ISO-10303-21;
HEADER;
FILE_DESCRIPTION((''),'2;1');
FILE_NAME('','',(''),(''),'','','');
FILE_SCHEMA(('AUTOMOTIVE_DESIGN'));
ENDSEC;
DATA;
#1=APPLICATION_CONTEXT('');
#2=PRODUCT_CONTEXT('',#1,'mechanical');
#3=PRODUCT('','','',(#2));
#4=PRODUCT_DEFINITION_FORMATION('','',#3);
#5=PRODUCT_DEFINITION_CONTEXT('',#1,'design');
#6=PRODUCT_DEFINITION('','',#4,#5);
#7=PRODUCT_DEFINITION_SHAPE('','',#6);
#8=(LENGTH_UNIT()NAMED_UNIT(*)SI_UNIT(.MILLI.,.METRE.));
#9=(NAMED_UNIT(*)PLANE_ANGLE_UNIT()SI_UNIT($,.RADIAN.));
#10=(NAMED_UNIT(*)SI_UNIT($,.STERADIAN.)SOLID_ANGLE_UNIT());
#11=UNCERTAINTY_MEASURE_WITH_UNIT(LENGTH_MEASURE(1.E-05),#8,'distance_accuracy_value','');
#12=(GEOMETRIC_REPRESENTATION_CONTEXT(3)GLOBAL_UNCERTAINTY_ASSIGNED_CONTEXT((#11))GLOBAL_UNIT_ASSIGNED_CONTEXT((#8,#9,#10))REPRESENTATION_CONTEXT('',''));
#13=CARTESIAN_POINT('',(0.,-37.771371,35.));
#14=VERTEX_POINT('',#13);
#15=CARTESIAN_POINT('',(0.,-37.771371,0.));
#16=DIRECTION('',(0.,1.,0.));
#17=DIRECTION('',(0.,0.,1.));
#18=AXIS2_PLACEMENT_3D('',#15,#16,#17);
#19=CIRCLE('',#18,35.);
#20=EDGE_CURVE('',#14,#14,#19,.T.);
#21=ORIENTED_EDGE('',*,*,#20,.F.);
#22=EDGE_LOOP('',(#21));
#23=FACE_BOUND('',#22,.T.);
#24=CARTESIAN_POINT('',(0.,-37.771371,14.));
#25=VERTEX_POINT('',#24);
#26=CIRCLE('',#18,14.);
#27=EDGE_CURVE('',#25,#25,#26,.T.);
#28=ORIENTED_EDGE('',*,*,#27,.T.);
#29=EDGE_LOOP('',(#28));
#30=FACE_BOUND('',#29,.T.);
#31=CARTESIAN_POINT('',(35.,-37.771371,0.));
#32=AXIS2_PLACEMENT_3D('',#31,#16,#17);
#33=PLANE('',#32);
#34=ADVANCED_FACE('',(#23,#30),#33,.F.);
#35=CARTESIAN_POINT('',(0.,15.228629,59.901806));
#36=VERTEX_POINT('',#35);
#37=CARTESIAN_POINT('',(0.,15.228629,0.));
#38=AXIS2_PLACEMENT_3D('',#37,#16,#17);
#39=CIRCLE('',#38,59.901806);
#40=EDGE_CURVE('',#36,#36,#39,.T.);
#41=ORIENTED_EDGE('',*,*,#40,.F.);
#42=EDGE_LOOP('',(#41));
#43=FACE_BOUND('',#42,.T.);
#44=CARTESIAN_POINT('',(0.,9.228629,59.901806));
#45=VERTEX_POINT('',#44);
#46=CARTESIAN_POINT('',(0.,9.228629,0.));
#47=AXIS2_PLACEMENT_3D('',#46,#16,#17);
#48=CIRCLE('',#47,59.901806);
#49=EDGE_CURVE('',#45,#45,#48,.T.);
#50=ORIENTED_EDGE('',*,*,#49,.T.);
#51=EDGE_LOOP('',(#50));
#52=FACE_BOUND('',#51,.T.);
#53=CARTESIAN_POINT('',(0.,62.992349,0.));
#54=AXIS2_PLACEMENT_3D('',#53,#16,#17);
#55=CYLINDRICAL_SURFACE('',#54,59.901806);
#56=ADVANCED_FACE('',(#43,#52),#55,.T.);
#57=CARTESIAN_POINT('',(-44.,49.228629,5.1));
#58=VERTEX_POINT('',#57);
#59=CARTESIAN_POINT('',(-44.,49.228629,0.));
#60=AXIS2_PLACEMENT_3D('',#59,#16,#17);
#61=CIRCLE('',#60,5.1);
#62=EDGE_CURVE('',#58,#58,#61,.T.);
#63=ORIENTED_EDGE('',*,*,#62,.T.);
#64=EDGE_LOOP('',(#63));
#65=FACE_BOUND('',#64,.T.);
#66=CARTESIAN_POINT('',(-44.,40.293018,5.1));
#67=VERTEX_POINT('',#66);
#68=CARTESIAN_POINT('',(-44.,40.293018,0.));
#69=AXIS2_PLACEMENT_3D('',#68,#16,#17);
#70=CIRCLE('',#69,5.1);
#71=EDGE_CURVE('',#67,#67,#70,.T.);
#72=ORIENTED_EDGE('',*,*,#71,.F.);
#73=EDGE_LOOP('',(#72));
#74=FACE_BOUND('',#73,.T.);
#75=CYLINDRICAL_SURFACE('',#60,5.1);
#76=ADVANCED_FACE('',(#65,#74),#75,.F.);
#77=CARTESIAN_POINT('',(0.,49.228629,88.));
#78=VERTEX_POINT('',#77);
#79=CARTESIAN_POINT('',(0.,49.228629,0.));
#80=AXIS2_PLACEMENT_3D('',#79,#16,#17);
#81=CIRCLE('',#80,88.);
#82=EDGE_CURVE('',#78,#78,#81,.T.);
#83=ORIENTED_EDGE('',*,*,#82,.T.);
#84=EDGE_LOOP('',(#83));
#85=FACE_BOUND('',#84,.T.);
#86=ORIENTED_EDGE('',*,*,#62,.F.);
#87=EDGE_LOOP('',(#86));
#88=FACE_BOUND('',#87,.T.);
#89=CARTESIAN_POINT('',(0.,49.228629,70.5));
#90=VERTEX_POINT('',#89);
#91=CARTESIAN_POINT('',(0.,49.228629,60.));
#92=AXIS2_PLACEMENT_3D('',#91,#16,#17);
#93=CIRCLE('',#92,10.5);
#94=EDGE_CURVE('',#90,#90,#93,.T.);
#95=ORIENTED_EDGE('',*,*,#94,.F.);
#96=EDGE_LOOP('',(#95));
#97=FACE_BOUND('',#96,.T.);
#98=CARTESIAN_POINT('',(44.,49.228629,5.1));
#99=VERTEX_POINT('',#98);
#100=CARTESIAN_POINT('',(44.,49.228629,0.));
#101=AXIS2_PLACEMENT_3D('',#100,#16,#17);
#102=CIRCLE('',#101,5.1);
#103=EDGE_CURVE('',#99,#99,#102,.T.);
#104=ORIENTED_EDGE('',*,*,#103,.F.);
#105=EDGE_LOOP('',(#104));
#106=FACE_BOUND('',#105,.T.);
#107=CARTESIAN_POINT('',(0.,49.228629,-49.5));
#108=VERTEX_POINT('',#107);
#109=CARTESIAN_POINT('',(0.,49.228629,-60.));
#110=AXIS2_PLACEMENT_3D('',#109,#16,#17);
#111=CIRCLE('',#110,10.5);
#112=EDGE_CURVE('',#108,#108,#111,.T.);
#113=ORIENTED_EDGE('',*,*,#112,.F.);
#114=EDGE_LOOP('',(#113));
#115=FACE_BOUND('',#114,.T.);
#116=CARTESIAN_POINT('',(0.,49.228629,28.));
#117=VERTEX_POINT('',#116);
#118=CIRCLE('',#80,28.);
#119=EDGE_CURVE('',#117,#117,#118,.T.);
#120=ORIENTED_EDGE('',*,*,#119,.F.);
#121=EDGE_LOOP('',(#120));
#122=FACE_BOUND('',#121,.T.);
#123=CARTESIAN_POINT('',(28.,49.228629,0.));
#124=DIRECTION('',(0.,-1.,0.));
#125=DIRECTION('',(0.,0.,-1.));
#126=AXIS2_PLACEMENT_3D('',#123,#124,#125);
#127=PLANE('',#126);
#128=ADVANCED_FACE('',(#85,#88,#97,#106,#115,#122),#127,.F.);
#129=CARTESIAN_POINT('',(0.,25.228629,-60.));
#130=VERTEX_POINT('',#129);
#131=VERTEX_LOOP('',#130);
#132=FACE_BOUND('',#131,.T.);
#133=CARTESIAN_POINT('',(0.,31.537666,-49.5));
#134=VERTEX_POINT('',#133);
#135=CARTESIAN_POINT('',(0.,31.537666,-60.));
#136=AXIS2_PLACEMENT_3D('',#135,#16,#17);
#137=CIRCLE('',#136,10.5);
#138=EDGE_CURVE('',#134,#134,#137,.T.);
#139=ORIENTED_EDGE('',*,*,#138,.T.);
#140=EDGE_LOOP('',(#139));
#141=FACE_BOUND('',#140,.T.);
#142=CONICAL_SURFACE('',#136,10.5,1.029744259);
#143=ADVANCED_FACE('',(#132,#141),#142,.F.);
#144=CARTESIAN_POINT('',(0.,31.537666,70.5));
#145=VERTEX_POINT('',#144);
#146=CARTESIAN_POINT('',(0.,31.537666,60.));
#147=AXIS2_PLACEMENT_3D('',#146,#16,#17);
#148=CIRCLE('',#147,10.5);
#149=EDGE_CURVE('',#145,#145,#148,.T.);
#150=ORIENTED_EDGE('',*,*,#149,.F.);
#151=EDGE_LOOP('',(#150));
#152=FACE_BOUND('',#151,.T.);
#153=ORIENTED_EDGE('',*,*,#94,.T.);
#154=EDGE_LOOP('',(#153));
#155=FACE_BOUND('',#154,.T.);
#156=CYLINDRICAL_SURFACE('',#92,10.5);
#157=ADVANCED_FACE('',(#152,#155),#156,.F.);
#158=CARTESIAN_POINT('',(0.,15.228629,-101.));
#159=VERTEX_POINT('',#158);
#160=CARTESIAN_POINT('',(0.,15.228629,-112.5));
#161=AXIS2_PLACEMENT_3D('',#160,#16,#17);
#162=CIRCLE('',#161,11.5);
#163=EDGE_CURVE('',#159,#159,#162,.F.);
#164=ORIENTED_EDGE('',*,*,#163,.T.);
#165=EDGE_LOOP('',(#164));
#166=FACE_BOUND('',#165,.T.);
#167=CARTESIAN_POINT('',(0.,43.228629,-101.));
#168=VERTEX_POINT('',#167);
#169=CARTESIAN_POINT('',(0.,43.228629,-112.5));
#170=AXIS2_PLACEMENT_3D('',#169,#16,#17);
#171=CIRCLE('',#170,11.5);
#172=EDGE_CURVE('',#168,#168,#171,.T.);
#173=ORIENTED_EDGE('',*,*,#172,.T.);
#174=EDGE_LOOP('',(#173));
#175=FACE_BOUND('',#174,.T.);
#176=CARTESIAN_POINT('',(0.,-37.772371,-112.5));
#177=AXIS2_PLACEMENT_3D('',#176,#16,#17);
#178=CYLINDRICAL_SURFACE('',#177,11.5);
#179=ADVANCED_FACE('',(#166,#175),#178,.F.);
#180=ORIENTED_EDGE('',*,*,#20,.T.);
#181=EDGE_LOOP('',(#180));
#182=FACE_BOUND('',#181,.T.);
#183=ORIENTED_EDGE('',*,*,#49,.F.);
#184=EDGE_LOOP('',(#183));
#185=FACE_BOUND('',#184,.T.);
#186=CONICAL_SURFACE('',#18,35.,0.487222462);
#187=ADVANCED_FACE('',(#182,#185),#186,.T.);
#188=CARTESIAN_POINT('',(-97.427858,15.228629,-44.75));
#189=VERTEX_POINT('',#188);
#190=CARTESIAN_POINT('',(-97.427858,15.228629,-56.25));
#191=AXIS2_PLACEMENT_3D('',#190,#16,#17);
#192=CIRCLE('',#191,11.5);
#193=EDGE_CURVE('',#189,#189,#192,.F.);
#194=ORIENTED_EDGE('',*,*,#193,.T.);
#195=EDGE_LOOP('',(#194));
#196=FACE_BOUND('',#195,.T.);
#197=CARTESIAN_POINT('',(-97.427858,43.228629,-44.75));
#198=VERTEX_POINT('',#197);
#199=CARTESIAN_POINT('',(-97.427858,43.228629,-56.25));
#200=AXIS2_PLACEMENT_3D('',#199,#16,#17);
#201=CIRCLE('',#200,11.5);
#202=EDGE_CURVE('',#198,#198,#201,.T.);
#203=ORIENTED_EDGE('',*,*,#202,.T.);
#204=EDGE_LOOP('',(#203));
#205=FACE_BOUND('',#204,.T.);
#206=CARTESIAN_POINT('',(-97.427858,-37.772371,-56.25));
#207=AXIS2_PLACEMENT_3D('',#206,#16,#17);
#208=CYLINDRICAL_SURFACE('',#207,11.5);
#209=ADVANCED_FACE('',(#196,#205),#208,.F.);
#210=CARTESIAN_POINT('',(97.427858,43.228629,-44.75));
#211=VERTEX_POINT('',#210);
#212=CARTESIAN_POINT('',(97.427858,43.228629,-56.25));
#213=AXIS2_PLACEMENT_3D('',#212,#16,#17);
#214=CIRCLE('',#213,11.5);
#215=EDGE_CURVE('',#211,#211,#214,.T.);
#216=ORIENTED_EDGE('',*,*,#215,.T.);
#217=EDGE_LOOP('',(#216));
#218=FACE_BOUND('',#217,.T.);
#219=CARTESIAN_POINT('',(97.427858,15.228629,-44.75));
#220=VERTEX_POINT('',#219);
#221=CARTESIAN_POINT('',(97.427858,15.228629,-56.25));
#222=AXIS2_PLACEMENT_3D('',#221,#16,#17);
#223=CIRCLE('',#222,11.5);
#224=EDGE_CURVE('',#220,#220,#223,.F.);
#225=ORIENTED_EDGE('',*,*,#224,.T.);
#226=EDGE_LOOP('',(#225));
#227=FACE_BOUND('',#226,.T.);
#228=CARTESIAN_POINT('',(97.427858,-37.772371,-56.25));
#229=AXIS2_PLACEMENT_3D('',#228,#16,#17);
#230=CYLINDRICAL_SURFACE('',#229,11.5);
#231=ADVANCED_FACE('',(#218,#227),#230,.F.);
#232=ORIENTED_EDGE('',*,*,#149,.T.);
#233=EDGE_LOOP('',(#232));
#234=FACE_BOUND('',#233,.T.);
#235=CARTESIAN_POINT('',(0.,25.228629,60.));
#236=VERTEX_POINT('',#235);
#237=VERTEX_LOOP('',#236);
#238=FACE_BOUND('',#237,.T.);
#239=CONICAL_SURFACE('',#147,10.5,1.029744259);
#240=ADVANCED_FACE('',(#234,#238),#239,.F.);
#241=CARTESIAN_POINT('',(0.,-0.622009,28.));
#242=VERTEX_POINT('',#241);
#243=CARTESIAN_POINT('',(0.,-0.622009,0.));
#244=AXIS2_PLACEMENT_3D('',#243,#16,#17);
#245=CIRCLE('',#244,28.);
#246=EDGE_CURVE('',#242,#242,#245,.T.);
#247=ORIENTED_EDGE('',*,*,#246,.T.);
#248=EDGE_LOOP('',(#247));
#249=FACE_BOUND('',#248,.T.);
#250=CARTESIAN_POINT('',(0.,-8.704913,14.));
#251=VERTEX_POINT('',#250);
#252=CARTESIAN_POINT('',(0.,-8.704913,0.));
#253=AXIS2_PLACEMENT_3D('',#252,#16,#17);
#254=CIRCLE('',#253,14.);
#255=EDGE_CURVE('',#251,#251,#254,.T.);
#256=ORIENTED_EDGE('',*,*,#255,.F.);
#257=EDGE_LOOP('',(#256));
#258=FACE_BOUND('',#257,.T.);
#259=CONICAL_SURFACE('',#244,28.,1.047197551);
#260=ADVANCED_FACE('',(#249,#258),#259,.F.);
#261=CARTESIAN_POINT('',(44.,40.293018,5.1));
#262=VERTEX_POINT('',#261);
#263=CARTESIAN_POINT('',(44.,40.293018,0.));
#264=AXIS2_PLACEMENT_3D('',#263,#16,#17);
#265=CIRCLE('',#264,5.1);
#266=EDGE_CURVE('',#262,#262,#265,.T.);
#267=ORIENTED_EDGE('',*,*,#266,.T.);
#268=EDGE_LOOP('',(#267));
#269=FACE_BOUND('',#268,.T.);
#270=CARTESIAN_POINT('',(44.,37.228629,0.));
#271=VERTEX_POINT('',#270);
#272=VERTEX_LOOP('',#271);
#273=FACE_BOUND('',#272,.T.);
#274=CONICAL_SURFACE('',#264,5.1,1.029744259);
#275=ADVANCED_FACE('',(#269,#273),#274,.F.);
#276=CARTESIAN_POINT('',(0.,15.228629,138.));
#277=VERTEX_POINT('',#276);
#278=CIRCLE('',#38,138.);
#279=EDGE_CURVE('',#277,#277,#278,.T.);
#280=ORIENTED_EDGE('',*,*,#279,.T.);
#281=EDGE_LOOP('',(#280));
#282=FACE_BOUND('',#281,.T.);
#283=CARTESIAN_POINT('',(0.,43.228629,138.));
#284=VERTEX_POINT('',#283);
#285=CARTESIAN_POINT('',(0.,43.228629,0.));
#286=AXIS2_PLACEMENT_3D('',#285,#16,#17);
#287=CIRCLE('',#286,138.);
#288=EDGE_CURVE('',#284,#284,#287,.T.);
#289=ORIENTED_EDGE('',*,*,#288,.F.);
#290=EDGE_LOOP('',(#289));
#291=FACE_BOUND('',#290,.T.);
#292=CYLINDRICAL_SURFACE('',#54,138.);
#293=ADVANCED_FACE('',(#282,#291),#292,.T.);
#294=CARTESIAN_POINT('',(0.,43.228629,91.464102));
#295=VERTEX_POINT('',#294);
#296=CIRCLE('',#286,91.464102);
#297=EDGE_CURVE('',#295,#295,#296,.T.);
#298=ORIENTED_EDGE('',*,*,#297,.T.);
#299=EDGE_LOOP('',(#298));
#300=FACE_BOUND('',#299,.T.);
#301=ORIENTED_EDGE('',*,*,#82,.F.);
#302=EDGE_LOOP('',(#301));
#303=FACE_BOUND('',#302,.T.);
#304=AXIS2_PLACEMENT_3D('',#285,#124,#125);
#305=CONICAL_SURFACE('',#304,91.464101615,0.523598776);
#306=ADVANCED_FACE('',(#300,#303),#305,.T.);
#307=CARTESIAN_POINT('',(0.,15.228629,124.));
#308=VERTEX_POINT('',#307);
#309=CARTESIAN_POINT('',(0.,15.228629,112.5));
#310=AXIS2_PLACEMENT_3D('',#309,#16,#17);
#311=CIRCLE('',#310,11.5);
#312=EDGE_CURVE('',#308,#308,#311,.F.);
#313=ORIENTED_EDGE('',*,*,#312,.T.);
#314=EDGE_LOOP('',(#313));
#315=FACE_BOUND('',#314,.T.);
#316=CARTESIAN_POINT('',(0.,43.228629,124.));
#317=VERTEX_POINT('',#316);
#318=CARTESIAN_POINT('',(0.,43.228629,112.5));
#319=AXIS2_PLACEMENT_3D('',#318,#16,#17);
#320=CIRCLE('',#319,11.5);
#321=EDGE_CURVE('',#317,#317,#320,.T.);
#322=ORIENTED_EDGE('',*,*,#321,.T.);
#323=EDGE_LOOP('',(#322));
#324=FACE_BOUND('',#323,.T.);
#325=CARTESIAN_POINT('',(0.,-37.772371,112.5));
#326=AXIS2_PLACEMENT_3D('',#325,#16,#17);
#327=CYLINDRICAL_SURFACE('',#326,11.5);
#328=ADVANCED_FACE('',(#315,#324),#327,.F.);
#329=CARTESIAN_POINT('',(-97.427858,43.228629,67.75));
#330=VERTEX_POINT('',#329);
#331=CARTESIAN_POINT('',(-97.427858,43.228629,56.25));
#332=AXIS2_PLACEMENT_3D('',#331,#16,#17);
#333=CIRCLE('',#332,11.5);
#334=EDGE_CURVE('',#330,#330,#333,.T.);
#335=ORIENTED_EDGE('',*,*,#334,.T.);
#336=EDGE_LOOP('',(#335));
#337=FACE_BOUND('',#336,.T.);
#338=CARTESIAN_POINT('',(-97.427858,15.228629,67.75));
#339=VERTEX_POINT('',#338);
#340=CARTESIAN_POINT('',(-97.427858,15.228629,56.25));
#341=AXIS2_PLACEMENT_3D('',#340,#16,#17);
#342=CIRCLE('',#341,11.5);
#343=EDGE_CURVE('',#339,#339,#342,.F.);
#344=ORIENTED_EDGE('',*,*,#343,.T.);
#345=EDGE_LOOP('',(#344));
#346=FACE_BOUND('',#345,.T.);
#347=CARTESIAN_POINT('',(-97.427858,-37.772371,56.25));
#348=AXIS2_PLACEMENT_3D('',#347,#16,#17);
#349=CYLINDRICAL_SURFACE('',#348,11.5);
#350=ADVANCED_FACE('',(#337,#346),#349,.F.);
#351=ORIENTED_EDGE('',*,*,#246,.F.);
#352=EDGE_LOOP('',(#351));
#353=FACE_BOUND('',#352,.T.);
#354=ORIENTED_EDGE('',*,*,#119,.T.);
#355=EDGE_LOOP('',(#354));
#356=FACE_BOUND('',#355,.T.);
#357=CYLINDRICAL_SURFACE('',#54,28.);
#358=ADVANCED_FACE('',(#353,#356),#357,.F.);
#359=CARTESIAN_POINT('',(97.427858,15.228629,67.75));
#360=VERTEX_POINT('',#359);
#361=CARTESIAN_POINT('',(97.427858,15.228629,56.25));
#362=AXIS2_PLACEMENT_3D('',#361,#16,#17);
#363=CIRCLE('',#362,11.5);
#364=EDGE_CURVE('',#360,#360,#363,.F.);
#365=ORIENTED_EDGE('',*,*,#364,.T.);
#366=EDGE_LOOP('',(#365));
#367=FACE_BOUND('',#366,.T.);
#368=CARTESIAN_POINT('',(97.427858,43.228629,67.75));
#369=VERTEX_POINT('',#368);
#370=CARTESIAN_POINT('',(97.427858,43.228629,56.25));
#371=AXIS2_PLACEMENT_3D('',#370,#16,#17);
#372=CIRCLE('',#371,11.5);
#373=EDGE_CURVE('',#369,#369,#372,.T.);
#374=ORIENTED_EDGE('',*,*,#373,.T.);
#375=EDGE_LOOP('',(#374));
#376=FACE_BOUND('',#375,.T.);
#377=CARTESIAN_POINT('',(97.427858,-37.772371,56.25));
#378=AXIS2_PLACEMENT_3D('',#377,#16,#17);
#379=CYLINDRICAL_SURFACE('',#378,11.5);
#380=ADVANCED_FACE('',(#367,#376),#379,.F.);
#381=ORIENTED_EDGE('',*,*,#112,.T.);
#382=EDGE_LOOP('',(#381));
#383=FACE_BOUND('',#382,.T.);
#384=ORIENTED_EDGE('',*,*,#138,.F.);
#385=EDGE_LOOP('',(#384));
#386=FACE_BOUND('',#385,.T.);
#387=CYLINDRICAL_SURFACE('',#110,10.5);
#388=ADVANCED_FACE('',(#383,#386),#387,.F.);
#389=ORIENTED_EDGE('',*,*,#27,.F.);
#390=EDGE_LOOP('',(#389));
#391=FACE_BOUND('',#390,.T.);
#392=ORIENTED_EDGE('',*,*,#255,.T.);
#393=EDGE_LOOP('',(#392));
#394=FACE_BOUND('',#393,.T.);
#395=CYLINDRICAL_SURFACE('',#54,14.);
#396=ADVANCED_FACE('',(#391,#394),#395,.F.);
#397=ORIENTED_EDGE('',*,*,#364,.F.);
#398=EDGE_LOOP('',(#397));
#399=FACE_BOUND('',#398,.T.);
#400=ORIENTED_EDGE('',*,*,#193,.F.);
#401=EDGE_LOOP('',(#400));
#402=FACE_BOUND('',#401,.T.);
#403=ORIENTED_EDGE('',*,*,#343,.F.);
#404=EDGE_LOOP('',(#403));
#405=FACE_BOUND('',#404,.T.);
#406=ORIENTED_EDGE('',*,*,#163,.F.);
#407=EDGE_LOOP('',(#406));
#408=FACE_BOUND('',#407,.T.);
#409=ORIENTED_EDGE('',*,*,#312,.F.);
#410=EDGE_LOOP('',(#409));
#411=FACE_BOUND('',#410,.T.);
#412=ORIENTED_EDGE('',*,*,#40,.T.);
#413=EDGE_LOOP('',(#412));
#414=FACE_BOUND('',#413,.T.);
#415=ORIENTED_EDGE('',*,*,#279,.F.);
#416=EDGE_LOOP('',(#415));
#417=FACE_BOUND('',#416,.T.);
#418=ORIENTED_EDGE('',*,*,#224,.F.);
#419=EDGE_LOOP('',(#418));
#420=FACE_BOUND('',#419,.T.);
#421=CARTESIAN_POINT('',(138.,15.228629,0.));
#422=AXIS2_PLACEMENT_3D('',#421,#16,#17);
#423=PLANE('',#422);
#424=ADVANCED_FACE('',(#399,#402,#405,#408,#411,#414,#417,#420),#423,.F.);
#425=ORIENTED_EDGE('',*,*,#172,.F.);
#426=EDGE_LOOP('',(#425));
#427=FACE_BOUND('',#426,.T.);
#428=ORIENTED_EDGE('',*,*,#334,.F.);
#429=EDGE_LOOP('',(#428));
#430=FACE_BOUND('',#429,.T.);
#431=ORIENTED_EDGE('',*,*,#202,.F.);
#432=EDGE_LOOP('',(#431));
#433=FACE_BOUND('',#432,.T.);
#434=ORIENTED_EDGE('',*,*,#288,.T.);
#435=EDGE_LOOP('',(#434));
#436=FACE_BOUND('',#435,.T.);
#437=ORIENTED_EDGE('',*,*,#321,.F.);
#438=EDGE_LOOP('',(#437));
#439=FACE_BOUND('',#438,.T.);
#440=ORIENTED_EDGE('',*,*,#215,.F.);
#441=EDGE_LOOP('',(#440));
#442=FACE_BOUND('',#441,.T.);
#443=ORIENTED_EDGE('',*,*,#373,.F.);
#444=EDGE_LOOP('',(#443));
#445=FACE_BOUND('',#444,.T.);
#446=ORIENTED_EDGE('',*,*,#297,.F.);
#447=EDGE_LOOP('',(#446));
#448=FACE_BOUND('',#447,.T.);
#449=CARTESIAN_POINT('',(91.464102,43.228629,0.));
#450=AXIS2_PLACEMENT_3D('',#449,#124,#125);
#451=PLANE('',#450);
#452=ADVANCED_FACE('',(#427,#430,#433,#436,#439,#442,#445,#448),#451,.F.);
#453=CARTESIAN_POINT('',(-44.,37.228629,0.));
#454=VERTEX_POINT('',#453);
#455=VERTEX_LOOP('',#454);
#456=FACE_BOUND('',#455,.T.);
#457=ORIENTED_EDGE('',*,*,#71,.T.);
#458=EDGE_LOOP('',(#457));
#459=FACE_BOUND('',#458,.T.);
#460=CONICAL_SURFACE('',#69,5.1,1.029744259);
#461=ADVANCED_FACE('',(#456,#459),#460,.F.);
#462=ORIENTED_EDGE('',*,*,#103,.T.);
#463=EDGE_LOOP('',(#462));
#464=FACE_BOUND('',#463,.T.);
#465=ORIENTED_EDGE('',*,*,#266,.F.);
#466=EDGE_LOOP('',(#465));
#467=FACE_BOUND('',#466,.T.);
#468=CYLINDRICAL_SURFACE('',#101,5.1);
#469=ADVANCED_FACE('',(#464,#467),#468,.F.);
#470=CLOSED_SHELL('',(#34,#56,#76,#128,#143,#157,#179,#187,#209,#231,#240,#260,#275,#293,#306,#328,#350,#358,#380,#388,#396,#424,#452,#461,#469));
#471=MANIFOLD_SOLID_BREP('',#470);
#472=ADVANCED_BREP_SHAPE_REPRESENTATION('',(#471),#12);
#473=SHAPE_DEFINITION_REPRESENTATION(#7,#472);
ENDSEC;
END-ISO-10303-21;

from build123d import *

# Parameters (mm, degrees)
CUT_EXTRUDE1_REACH     = 213.303
SKETCH2_R              = 11.5
M24_TAPPED_HOLE1_D     = 21
M24_TAPPED_HOLE1_DEPTH = 17.6909635
M24_TAPPED_HOLE1_TIP   = 6.3090365
M12_TAPPED_HOLE1_D     = 10.2
M12_TAPPED_HOLE1_DEPTH = 8.935610843
M12_TAPPED_HOLE1_TIP   = 3.064389157


with BuildPart() as part:
    # Sketch1 → Revolve1 (revolve)
    with BuildSketch(Plane.XY, mode=Mode.PRIVATE) as revolve1_sk:
        Polygon((14, -37.771370899), (14, -8.704913174), (28, -0.622009405), (28, 49.228629101), (88, 49.228629101), (91.464101615, 43.228629101), (138, 43.228629101), (138, 15.228629101), (59.901806028, 15.228629101), (59.901806028, 9.228629101), (35, -37.771370899), align=None)
    revolve(revolve1_sk.sketch.rotate(Axis((0, 62.992349216, 0), (0, -1, 0)), 90), axis=Axis((0, 62.992349216, 0), (0, -1, 0)))

    # Sketch2 → Cut-Extrude1 (cut, up to next)
    with BuildSketch(Plane(origin=(0, 43.228629101, 0), x_dir=(1, 0, 0), z_dir=(0, 1, 0)), mode=Mode.PRIVATE) as cut_extrude1_sk1:
        with Locations(Location((0, 112.5, 0), (0, 0, 270))):
            Circle(SKETCH2_R)
    cut_extrude1_tool1 = extrude(cut_extrude1_sk1.sketch, amount=-CUT_EXTRUDE1_REACH, mode=Mode.PRIVATE) & part.part
    # Sketch2 → Cut-Extrude1 (cut, up to next)
    with BuildSketch(Plane(origin=(0, 43.228629101, 0), x_dir=(1, 0, 0), z_dir=(0, 1, 0)), mode=Mode.PRIVATE) as cut_extrude1_sk2:
        with Locations(Location((97.427857926, 56.25, 0), (0, 0, 270))):
            Circle(SKETCH2_R)
    cut_extrude1_tool2 = extrude(cut_extrude1_sk2.sketch, amount=-CUT_EXTRUDE1_REACH, mode=Mode.PRIVATE) & part.part
    # Sketch2 → Cut-Extrude1 (cut, up to next)
    with BuildSketch(Plane(origin=(0, 43.228629101, 0), x_dir=(1, 0, 0), z_dir=(0, 1, 0)), mode=Mode.PRIVATE) as cut_extrude1_sk3:
        with Locations(Location((97.427857926, -56.25, 0), (0, 0, 270))):
            Circle(SKETCH2_R)
    cut_extrude1_tool3 = extrude(cut_extrude1_sk3.sketch, amount=-CUT_EXTRUDE1_REACH, mode=Mode.PRIVATE) & part.part
    # Sketch2 → Cut-Extrude1 (cut, up to next)
    with BuildSketch(Plane(origin=(0, 43.228629101, 0), x_dir=(1, 0, 0), z_dir=(0, 1, 0)), mode=Mode.PRIVATE) as cut_extrude1_sk4:
        with Locations(Location((0, -112.5, 0), (0, 0, 270))):
            Circle(SKETCH2_R)
    cut_extrude1_tool4 = extrude(cut_extrude1_sk4.sketch, amount=-CUT_EXTRUDE1_REACH, mode=Mode.PRIVATE) & part.part
    # Sketch2 → Cut-Extrude1 (cut, up to next)
    with BuildSketch(Plane(origin=(0, 43.228629101, 0), x_dir=(1, 0, 0), z_dir=(0, 1, 0)), mode=Mode.PRIVATE) as cut_extrude1_sk5:
        with Locations(Location((-97.427857926, -56.25, 0), (0, 0, 270))):
            Circle(SKETCH2_R)
    cut_extrude1_tool5 = extrude(cut_extrude1_sk5.sketch, amount=-CUT_EXTRUDE1_REACH, mode=Mode.PRIVATE) & part.part
    # Sketch2 → Cut-Extrude1 (cut, up to next)
    with BuildSketch(Plane(origin=(0, 43.228629101, 0), x_dir=(1, 0, 0), z_dir=(0, 1, 0)), mode=Mode.PRIVATE) as cut_extrude1_sk6:
        with Locations(Location((-97.427857926, 56.25, 0), (0, 0, 270))):
            Circle(SKETCH2_R)
    cut_extrude1_tool6 = extrude(cut_extrude1_sk6.sketch, amount=-CUT_EXTRUDE1_REACH, mode=Mode.PRIVATE) & part.part
    add(cut_extrude1_tool1.solids().sort_by_distance((0, 43.228629, -112.5))[0], mode=Mode.SUBTRACT)
    add(cut_extrude1_tool2.solids().sort_by_distance((97.427858, 43.228629, -56.25))[0], mode=Mode.SUBTRACT)
    add(cut_extrude1_tool3.solids().sort_by_distance((97.427858, 43.228629, 56.25))[0], mode=Mode.SUBTRACT)
    add(cut_extrude1_tool4.solids().sort_by_distance((0, 43.228629, 112.5))[0], mode=Mode.SUBTRACT)
    add(cut_extrude1_tool5.solids().sort_by_distance((-97.427858, 43.228629, 56.25))[0], mode=Mode.SUBTRACT)
    add(cut_extrude1_tool6.solids().sort_by_distance((-97.427858, 43.228629, -56.25))[0], mode=Mode.SUBTRACT)

    # M24 Tapped Hole1
    with Locations(Plane(origin=(0, 49.228629101, -60), x_dir=(0, 0, 1), z_dir=(0, 1, 0))):
        with Locations((0, 0), (120, 0)):
            Hole(M24_TAPPED_HOLE1_D / 2, depth=M24_TAPPED_HOLE1_DEPTH)
            with Locations((0, 0, -(M24_TAPPED_HOLE1_DEPTH + M24_TAPPED_HOLE1_TIP / 2))):  # 118° drill point
                Cone(0, M24_TAPPED_HOLE1_D / 2, M24_TAPPED_HOLE1_TIP, mode=Mode.SUBTRACT)

    # M12 Tapped Hole1
    with Locations(Plane(origin=(-44, 49.228629101, 0), x_dir=(0, 0, 1), z_dir=(0, 1, 0))):
        with Locations((0, 0), (0, 88)):
            Hole(M12_TAPPED_HOLE1_D / 2, depth=M12_TAPPED_HOLE1_DEPTH)
            with Locations((0, 0, -(M12_TAPPED_HOLE1_DEPTH + M12_TAPPED_HOLE1_TIP / 2))):  # 118° drill point
                Cone(0, M12_TAPPED_HOLE1_D / 2, M12_TAPPED_HOLE1_TIP, mode=Mode.SUBTRACT)


solid = part.part
